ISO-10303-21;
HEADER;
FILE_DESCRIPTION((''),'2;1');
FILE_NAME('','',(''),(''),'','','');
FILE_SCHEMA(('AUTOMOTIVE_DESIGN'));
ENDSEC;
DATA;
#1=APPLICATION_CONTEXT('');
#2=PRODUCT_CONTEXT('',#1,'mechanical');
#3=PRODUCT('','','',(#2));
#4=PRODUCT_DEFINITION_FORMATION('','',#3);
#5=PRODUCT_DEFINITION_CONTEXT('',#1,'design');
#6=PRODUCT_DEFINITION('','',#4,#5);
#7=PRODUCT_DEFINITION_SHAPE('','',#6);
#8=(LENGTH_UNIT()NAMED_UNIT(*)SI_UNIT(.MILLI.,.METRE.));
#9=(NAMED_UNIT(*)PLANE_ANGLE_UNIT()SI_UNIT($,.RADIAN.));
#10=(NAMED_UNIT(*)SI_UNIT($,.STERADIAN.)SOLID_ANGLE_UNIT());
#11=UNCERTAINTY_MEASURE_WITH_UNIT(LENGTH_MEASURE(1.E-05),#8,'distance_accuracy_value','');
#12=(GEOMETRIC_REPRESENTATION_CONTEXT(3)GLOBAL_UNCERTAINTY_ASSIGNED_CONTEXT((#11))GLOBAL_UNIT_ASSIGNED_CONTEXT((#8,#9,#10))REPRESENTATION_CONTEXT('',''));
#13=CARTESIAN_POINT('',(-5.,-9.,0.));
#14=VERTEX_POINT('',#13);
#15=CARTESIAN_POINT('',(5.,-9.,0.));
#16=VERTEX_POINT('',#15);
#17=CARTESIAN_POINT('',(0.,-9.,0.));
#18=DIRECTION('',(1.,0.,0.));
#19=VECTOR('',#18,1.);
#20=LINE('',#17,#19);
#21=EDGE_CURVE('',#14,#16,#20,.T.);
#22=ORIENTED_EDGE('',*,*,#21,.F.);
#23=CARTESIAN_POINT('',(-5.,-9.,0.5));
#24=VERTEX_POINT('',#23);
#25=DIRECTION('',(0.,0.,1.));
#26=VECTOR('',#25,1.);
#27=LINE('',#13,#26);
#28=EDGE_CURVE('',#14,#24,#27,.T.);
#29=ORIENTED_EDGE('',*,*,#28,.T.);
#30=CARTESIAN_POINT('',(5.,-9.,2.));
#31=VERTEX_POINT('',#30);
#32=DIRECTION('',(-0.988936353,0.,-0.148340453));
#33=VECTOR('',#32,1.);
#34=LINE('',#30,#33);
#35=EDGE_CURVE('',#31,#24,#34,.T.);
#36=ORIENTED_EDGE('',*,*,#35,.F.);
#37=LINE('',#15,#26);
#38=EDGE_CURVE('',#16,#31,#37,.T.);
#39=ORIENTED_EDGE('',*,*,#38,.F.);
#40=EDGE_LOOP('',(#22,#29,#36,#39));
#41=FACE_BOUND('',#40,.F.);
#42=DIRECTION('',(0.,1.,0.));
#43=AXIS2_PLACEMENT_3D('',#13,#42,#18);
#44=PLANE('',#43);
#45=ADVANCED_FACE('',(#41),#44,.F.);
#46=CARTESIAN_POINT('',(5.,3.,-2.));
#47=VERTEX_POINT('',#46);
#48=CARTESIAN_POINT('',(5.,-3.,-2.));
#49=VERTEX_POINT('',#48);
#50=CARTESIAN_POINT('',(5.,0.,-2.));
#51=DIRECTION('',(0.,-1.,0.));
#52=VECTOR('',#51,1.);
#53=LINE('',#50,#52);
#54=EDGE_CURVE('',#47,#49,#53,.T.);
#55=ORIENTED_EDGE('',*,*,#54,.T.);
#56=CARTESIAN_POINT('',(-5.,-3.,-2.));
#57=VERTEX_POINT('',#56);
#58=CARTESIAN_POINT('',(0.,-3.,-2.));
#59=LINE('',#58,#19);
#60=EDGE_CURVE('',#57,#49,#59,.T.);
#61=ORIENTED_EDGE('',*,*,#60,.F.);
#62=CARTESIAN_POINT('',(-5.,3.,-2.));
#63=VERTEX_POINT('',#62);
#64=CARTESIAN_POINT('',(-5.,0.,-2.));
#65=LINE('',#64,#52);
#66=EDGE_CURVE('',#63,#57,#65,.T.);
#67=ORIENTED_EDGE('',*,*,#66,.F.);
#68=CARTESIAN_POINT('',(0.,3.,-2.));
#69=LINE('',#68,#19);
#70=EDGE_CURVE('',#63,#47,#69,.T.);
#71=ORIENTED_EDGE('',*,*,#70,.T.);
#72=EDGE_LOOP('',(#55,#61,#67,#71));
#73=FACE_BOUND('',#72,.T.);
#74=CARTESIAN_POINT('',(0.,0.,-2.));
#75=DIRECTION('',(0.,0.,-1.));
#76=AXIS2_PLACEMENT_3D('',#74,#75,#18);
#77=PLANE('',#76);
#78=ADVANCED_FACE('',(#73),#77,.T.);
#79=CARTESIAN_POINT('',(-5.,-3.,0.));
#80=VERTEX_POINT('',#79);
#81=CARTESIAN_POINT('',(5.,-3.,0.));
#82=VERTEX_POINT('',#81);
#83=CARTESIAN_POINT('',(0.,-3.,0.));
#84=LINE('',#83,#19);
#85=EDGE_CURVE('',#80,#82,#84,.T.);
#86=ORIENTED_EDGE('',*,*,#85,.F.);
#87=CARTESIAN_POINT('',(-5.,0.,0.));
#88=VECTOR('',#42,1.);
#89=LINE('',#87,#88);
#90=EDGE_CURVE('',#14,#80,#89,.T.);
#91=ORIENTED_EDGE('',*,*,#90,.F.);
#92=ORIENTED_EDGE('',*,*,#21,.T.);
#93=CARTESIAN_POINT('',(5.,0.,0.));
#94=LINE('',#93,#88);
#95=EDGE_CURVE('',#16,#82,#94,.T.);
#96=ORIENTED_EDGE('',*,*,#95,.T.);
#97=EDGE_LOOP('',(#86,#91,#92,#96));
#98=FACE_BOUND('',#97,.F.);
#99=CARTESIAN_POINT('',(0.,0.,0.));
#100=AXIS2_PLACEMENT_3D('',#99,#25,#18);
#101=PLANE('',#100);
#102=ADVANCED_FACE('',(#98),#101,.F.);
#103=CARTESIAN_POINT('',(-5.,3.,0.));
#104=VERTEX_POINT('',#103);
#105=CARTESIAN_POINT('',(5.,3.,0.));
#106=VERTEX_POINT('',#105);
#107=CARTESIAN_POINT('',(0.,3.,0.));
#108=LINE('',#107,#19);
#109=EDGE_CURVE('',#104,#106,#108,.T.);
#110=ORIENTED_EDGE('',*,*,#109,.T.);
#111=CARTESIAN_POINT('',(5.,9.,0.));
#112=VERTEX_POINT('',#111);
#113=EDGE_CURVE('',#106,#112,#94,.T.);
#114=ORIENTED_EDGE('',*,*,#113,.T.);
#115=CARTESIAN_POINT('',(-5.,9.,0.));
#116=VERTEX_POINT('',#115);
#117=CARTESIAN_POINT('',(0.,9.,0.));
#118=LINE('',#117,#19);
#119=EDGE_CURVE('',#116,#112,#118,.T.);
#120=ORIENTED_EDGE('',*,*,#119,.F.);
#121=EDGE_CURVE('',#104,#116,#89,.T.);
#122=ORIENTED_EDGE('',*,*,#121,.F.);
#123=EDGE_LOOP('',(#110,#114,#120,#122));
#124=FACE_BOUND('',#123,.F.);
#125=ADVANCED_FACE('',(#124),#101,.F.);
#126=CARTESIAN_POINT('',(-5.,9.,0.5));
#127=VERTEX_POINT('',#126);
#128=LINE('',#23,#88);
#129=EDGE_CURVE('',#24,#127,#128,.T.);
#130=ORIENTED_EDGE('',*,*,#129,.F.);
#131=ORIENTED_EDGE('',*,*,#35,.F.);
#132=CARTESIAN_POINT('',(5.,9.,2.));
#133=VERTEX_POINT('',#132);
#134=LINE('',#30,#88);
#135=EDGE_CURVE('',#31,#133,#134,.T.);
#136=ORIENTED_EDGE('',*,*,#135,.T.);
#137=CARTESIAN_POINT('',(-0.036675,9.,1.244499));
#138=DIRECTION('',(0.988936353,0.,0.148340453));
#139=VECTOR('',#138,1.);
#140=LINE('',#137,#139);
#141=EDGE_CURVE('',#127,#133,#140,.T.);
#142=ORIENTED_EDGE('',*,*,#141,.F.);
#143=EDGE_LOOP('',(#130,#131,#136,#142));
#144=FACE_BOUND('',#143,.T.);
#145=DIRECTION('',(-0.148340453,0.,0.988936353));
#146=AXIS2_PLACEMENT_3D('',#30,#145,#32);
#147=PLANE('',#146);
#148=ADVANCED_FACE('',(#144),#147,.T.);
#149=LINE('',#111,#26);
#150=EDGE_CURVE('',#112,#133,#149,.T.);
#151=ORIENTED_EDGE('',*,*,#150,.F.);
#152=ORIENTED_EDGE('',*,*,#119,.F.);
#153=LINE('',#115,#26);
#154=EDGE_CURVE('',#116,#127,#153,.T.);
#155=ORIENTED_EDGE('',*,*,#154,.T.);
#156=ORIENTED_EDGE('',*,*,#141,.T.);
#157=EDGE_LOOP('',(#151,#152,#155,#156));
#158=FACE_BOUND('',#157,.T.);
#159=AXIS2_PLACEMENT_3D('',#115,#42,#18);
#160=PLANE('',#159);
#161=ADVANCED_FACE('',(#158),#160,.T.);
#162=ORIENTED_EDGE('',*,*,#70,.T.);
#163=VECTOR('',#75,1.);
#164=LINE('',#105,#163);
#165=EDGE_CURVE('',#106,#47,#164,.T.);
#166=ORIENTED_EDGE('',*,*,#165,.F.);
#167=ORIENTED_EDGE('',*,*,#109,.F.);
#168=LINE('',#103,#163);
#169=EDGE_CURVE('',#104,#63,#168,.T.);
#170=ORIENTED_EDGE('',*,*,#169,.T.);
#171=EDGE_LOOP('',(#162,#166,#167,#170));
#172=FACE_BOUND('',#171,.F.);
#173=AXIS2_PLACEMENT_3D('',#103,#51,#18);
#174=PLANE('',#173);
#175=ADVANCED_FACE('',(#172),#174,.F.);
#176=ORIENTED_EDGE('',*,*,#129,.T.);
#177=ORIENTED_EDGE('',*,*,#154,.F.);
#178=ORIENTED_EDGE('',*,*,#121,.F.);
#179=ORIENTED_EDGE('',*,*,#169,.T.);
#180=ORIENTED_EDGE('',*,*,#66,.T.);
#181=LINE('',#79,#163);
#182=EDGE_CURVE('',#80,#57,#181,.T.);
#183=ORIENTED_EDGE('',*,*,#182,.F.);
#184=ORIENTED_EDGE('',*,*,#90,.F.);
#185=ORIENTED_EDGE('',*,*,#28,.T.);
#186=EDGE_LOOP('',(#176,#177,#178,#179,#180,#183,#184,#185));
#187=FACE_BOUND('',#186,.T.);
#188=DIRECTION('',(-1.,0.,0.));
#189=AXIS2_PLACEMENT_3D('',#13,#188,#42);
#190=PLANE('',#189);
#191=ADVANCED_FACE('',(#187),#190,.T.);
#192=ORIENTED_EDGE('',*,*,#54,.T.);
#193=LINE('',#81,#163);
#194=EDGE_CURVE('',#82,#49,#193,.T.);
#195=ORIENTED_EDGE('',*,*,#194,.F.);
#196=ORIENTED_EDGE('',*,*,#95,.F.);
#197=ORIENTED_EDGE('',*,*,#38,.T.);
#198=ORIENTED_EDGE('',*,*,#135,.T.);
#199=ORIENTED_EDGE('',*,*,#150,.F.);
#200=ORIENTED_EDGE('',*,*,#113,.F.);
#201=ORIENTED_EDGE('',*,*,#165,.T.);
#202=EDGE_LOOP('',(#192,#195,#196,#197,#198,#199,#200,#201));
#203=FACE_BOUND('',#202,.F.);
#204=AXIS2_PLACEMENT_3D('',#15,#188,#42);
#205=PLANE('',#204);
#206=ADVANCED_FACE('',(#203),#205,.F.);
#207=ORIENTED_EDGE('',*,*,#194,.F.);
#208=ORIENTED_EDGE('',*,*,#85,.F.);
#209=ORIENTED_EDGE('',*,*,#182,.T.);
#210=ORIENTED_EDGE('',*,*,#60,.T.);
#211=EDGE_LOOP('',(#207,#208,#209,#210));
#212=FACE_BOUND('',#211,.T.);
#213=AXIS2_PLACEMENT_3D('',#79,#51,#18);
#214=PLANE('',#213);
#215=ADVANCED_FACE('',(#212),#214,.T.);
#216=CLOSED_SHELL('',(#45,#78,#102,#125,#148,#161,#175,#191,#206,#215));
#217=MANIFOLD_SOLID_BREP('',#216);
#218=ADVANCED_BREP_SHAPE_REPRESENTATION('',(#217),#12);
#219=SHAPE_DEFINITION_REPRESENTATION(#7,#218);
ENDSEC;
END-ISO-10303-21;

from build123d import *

# Parameters (mm, degrees)
F0_W     = 10
F0_H     = 18
F1_DEPTH = 4
F3_DEPTH = 18.001
F4_W     = 10
F4_H     = 6
F5_DEPTH = 2


with BuildPart() as f1:
    # F0 (on Top) → F1 (new body)
    with BuildSketch(Plane.XY):
        Rectangle(F0_W, F0_H)
    extrude(amount=F1_DEPTH)

    # F2 (on face) → F3 (intersect, through all)
    with BuildSketch(Plane.XZ.offset(9)):
        Polygon((5, 2), (-5, 0.5), (-5, 0), (5, 0), align=None)
    extrude(amount=-F3_DEPTH, mode=Mode.INTERSECT)

    # F4 (on face) → F5 (join)
    with BuildSketch(Plane(origin=(0, 0, 0), x_dir=(1, 0, 0), z_dir=(0, 0, -1))):
        Rectangle(F4_W, F4_H)
    extrude(amount=F5_DEPTH)


solid = f1.part
